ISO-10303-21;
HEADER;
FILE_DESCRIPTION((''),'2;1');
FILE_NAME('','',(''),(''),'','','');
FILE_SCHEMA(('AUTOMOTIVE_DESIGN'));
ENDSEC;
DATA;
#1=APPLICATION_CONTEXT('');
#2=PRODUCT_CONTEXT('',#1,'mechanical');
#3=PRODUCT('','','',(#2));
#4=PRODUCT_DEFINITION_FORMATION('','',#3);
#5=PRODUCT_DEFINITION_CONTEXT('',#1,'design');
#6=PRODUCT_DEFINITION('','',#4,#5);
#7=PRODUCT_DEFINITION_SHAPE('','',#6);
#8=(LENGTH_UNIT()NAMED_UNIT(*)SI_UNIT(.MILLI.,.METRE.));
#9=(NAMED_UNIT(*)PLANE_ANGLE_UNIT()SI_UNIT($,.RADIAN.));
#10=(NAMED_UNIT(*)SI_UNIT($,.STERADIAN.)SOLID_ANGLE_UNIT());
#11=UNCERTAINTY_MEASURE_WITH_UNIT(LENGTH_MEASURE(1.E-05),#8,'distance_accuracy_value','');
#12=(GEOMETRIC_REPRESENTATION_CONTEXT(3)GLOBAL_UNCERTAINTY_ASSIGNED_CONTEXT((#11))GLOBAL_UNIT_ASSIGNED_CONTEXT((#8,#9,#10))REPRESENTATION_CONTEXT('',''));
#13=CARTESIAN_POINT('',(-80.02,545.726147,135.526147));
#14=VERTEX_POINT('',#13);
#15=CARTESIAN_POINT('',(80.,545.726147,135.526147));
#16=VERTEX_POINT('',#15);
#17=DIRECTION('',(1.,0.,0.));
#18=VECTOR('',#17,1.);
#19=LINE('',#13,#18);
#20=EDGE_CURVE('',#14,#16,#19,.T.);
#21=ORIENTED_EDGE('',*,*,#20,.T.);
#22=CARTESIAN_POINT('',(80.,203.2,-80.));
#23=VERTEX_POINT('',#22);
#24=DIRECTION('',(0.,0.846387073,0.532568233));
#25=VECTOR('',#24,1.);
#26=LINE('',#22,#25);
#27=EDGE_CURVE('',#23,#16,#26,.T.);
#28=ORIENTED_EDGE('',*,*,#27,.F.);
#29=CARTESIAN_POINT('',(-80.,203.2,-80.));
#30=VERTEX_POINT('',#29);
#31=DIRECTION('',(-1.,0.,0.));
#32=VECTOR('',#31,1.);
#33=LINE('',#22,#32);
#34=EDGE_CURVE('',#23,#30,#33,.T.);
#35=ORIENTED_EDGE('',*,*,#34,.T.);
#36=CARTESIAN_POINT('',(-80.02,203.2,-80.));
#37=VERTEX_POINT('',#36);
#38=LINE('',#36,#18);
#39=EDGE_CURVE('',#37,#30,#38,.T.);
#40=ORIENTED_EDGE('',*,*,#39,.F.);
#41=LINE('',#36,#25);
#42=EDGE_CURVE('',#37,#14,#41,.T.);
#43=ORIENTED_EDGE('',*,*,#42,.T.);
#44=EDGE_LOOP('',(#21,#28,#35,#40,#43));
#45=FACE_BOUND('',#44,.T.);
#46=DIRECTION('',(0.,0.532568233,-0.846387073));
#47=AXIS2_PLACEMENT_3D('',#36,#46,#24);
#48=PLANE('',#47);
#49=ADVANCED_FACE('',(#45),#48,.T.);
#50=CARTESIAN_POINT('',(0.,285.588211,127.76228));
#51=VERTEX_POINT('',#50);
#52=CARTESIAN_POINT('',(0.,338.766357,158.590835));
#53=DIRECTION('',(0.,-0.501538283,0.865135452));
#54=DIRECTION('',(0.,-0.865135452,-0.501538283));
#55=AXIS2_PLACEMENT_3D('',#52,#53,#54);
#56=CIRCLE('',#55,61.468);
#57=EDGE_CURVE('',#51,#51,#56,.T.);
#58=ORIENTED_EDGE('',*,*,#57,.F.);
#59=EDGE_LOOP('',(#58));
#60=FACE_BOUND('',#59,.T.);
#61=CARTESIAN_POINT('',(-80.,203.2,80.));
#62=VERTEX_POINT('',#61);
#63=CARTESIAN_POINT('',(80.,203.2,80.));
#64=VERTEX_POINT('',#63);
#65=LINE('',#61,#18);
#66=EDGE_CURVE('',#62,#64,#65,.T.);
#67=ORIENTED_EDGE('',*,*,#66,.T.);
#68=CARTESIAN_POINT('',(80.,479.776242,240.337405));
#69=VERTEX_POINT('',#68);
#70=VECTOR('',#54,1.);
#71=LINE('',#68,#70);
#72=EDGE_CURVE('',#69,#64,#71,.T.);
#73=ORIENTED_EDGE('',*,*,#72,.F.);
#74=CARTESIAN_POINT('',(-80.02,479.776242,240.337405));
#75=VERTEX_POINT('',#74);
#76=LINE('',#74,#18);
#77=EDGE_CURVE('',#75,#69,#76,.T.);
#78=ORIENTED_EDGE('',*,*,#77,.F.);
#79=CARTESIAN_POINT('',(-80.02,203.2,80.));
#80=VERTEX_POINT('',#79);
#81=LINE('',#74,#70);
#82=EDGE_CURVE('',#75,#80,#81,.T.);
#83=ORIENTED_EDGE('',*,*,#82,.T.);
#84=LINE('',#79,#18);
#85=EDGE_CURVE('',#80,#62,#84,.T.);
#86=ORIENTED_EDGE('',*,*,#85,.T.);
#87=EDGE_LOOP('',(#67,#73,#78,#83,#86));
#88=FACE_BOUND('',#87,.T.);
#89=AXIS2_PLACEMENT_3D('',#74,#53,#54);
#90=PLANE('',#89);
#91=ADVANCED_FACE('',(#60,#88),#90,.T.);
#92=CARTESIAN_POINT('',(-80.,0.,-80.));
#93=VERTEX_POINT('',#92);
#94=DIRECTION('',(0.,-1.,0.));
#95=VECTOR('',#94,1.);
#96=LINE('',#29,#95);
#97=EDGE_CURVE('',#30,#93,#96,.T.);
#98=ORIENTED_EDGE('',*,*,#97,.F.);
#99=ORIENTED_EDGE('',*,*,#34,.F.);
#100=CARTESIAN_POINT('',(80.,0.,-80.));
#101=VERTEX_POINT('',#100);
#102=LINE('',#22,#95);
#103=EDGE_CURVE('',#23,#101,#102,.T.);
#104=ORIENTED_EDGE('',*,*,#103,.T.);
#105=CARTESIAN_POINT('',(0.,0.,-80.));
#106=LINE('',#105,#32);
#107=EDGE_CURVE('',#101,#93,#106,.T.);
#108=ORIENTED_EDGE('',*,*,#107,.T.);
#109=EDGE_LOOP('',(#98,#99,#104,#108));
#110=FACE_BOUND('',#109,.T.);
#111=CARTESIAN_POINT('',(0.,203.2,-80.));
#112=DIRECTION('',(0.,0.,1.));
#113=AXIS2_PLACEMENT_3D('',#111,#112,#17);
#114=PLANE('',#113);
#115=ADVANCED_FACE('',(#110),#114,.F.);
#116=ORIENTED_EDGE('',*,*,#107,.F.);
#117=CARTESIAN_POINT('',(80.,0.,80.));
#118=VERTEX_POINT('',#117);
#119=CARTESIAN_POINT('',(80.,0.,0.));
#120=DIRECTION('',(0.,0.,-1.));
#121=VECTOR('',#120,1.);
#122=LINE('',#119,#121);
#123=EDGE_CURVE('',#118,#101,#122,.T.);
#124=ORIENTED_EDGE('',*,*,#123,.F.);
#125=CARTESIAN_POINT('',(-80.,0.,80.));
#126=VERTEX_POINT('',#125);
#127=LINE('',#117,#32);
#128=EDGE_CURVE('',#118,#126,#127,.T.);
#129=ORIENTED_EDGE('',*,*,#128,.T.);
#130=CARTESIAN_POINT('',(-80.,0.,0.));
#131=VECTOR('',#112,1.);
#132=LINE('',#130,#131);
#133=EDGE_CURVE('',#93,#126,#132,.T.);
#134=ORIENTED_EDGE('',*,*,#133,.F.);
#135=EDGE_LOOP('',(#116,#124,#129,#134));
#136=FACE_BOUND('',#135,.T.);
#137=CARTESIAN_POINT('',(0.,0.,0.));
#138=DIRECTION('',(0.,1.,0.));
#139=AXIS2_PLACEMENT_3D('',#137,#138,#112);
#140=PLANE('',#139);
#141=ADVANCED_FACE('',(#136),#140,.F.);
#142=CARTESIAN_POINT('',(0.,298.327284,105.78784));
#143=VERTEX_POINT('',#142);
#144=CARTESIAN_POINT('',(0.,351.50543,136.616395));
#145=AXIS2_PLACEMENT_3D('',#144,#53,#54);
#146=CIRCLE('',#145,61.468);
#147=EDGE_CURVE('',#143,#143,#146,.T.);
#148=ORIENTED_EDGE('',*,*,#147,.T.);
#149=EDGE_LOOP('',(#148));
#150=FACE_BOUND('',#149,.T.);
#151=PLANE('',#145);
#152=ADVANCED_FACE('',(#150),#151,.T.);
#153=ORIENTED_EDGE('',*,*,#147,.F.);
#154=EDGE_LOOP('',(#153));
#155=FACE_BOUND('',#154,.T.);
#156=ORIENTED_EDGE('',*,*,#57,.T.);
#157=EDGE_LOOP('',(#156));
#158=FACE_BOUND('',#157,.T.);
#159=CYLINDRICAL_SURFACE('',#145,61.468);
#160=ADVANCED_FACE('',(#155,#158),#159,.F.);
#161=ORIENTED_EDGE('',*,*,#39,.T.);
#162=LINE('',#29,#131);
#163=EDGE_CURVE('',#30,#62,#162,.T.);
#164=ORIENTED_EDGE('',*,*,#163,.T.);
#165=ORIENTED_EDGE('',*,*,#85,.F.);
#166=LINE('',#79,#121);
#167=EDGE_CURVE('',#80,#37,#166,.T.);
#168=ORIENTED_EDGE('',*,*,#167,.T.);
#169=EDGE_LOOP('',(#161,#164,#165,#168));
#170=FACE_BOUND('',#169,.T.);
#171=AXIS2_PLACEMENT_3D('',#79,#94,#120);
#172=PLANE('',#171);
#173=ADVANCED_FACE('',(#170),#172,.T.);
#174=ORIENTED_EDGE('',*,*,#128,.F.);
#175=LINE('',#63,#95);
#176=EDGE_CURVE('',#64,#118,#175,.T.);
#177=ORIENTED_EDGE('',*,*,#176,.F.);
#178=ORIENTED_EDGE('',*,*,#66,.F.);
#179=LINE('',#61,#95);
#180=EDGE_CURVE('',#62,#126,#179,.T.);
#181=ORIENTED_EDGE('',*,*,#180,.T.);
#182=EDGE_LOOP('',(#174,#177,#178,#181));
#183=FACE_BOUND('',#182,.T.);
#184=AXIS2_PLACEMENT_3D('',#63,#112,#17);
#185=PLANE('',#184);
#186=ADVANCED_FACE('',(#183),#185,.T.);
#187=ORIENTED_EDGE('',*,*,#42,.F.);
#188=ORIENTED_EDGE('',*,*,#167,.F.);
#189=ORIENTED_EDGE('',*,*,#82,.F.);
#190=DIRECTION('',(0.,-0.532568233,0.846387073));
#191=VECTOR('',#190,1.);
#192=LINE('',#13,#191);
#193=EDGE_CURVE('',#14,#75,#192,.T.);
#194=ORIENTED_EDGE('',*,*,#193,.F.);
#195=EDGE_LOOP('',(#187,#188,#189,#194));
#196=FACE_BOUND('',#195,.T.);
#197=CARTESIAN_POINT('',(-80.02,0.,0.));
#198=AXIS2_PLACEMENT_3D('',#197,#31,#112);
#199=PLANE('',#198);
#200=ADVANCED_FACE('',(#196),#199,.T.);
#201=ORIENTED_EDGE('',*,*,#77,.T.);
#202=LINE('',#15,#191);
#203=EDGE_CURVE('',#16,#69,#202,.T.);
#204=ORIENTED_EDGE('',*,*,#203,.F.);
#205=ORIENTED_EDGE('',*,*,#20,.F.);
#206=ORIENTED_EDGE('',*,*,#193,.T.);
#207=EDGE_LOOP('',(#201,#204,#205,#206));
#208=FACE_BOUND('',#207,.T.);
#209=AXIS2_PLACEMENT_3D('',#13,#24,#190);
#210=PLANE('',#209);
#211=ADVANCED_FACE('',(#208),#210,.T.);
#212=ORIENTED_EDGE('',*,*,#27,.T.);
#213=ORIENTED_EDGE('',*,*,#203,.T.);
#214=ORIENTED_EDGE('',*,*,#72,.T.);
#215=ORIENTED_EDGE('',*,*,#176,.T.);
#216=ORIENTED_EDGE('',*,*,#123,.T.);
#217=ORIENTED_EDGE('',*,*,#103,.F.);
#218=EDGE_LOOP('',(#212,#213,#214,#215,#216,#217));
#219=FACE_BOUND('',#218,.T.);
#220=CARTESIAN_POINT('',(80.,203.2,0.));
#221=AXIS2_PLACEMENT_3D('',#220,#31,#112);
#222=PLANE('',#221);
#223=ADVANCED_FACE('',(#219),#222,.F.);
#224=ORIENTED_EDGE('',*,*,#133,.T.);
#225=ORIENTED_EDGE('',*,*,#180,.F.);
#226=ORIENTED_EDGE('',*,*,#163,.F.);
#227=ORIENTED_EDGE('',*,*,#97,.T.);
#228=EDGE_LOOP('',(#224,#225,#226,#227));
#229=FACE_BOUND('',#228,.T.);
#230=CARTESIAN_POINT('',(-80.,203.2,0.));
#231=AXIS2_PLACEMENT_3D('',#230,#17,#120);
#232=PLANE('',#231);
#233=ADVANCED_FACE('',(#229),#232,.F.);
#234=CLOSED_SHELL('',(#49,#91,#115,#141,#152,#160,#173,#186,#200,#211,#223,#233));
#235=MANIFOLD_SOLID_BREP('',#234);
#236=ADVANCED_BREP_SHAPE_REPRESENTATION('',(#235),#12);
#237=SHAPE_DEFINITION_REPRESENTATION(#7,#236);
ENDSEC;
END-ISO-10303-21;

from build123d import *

# Parameters (mm, degrees)
BOSS_EXTRUDE1_DEPTH = 203.2
BOSS_EXTRUDE2_DEPTH = 160.02
SKETCH5_R           = 61.468
CUT_EXTRUDE1_DEPTH  = 25.4


with BuildPart() as part:
    # Sketch1 → Boss-Extrude1 (new body)
    with BuildSketch(Plane(origin=(0, 0, 0), x_dir=(1, 0, 0), z_dir=(0, 1, 0))):
        Polygon((0, 80), (-80, 80), (-80, 0), (-80, -80), (0, -80), (80, -80), (80, 0), (80, 80), align=None)
    extrude(amount=BOSS_EXTRUDE1_DEPTH)

    # Sketch4 → Boss-Extrude2 (add)
    with BuildSketch(Plane(origin=(80, 0, 0), x_dir=(0, 0, -1), z_dir=(1, 0, 0))):
        Polygon((80, 203.2), (-135.526146906, 545.726146906), (-240.337405258, 479.776242441), (-80, 203.2), align=None)
    extrude(amount=-BOSS_EXTRUDE2_DEPTH)

    # Sketch5 → Cut-Extrude1 (cut)
    with BuildSketch(Plane(origin=(0, 16.401175936, -28.291437078), x_dir=(1, 0, 0), z_dir=(0, -0.5015382826017037, 0.8651354524494611))):
        with Locations(Location((0, 372.618160976, 0), (0, 0, 270))):
            Circle(SKETCH5_R)
    extrude(amount=-CUT_EXTRUDE1_DEPTH, mode=Mode.SUBTRACT)


solid = part.part
